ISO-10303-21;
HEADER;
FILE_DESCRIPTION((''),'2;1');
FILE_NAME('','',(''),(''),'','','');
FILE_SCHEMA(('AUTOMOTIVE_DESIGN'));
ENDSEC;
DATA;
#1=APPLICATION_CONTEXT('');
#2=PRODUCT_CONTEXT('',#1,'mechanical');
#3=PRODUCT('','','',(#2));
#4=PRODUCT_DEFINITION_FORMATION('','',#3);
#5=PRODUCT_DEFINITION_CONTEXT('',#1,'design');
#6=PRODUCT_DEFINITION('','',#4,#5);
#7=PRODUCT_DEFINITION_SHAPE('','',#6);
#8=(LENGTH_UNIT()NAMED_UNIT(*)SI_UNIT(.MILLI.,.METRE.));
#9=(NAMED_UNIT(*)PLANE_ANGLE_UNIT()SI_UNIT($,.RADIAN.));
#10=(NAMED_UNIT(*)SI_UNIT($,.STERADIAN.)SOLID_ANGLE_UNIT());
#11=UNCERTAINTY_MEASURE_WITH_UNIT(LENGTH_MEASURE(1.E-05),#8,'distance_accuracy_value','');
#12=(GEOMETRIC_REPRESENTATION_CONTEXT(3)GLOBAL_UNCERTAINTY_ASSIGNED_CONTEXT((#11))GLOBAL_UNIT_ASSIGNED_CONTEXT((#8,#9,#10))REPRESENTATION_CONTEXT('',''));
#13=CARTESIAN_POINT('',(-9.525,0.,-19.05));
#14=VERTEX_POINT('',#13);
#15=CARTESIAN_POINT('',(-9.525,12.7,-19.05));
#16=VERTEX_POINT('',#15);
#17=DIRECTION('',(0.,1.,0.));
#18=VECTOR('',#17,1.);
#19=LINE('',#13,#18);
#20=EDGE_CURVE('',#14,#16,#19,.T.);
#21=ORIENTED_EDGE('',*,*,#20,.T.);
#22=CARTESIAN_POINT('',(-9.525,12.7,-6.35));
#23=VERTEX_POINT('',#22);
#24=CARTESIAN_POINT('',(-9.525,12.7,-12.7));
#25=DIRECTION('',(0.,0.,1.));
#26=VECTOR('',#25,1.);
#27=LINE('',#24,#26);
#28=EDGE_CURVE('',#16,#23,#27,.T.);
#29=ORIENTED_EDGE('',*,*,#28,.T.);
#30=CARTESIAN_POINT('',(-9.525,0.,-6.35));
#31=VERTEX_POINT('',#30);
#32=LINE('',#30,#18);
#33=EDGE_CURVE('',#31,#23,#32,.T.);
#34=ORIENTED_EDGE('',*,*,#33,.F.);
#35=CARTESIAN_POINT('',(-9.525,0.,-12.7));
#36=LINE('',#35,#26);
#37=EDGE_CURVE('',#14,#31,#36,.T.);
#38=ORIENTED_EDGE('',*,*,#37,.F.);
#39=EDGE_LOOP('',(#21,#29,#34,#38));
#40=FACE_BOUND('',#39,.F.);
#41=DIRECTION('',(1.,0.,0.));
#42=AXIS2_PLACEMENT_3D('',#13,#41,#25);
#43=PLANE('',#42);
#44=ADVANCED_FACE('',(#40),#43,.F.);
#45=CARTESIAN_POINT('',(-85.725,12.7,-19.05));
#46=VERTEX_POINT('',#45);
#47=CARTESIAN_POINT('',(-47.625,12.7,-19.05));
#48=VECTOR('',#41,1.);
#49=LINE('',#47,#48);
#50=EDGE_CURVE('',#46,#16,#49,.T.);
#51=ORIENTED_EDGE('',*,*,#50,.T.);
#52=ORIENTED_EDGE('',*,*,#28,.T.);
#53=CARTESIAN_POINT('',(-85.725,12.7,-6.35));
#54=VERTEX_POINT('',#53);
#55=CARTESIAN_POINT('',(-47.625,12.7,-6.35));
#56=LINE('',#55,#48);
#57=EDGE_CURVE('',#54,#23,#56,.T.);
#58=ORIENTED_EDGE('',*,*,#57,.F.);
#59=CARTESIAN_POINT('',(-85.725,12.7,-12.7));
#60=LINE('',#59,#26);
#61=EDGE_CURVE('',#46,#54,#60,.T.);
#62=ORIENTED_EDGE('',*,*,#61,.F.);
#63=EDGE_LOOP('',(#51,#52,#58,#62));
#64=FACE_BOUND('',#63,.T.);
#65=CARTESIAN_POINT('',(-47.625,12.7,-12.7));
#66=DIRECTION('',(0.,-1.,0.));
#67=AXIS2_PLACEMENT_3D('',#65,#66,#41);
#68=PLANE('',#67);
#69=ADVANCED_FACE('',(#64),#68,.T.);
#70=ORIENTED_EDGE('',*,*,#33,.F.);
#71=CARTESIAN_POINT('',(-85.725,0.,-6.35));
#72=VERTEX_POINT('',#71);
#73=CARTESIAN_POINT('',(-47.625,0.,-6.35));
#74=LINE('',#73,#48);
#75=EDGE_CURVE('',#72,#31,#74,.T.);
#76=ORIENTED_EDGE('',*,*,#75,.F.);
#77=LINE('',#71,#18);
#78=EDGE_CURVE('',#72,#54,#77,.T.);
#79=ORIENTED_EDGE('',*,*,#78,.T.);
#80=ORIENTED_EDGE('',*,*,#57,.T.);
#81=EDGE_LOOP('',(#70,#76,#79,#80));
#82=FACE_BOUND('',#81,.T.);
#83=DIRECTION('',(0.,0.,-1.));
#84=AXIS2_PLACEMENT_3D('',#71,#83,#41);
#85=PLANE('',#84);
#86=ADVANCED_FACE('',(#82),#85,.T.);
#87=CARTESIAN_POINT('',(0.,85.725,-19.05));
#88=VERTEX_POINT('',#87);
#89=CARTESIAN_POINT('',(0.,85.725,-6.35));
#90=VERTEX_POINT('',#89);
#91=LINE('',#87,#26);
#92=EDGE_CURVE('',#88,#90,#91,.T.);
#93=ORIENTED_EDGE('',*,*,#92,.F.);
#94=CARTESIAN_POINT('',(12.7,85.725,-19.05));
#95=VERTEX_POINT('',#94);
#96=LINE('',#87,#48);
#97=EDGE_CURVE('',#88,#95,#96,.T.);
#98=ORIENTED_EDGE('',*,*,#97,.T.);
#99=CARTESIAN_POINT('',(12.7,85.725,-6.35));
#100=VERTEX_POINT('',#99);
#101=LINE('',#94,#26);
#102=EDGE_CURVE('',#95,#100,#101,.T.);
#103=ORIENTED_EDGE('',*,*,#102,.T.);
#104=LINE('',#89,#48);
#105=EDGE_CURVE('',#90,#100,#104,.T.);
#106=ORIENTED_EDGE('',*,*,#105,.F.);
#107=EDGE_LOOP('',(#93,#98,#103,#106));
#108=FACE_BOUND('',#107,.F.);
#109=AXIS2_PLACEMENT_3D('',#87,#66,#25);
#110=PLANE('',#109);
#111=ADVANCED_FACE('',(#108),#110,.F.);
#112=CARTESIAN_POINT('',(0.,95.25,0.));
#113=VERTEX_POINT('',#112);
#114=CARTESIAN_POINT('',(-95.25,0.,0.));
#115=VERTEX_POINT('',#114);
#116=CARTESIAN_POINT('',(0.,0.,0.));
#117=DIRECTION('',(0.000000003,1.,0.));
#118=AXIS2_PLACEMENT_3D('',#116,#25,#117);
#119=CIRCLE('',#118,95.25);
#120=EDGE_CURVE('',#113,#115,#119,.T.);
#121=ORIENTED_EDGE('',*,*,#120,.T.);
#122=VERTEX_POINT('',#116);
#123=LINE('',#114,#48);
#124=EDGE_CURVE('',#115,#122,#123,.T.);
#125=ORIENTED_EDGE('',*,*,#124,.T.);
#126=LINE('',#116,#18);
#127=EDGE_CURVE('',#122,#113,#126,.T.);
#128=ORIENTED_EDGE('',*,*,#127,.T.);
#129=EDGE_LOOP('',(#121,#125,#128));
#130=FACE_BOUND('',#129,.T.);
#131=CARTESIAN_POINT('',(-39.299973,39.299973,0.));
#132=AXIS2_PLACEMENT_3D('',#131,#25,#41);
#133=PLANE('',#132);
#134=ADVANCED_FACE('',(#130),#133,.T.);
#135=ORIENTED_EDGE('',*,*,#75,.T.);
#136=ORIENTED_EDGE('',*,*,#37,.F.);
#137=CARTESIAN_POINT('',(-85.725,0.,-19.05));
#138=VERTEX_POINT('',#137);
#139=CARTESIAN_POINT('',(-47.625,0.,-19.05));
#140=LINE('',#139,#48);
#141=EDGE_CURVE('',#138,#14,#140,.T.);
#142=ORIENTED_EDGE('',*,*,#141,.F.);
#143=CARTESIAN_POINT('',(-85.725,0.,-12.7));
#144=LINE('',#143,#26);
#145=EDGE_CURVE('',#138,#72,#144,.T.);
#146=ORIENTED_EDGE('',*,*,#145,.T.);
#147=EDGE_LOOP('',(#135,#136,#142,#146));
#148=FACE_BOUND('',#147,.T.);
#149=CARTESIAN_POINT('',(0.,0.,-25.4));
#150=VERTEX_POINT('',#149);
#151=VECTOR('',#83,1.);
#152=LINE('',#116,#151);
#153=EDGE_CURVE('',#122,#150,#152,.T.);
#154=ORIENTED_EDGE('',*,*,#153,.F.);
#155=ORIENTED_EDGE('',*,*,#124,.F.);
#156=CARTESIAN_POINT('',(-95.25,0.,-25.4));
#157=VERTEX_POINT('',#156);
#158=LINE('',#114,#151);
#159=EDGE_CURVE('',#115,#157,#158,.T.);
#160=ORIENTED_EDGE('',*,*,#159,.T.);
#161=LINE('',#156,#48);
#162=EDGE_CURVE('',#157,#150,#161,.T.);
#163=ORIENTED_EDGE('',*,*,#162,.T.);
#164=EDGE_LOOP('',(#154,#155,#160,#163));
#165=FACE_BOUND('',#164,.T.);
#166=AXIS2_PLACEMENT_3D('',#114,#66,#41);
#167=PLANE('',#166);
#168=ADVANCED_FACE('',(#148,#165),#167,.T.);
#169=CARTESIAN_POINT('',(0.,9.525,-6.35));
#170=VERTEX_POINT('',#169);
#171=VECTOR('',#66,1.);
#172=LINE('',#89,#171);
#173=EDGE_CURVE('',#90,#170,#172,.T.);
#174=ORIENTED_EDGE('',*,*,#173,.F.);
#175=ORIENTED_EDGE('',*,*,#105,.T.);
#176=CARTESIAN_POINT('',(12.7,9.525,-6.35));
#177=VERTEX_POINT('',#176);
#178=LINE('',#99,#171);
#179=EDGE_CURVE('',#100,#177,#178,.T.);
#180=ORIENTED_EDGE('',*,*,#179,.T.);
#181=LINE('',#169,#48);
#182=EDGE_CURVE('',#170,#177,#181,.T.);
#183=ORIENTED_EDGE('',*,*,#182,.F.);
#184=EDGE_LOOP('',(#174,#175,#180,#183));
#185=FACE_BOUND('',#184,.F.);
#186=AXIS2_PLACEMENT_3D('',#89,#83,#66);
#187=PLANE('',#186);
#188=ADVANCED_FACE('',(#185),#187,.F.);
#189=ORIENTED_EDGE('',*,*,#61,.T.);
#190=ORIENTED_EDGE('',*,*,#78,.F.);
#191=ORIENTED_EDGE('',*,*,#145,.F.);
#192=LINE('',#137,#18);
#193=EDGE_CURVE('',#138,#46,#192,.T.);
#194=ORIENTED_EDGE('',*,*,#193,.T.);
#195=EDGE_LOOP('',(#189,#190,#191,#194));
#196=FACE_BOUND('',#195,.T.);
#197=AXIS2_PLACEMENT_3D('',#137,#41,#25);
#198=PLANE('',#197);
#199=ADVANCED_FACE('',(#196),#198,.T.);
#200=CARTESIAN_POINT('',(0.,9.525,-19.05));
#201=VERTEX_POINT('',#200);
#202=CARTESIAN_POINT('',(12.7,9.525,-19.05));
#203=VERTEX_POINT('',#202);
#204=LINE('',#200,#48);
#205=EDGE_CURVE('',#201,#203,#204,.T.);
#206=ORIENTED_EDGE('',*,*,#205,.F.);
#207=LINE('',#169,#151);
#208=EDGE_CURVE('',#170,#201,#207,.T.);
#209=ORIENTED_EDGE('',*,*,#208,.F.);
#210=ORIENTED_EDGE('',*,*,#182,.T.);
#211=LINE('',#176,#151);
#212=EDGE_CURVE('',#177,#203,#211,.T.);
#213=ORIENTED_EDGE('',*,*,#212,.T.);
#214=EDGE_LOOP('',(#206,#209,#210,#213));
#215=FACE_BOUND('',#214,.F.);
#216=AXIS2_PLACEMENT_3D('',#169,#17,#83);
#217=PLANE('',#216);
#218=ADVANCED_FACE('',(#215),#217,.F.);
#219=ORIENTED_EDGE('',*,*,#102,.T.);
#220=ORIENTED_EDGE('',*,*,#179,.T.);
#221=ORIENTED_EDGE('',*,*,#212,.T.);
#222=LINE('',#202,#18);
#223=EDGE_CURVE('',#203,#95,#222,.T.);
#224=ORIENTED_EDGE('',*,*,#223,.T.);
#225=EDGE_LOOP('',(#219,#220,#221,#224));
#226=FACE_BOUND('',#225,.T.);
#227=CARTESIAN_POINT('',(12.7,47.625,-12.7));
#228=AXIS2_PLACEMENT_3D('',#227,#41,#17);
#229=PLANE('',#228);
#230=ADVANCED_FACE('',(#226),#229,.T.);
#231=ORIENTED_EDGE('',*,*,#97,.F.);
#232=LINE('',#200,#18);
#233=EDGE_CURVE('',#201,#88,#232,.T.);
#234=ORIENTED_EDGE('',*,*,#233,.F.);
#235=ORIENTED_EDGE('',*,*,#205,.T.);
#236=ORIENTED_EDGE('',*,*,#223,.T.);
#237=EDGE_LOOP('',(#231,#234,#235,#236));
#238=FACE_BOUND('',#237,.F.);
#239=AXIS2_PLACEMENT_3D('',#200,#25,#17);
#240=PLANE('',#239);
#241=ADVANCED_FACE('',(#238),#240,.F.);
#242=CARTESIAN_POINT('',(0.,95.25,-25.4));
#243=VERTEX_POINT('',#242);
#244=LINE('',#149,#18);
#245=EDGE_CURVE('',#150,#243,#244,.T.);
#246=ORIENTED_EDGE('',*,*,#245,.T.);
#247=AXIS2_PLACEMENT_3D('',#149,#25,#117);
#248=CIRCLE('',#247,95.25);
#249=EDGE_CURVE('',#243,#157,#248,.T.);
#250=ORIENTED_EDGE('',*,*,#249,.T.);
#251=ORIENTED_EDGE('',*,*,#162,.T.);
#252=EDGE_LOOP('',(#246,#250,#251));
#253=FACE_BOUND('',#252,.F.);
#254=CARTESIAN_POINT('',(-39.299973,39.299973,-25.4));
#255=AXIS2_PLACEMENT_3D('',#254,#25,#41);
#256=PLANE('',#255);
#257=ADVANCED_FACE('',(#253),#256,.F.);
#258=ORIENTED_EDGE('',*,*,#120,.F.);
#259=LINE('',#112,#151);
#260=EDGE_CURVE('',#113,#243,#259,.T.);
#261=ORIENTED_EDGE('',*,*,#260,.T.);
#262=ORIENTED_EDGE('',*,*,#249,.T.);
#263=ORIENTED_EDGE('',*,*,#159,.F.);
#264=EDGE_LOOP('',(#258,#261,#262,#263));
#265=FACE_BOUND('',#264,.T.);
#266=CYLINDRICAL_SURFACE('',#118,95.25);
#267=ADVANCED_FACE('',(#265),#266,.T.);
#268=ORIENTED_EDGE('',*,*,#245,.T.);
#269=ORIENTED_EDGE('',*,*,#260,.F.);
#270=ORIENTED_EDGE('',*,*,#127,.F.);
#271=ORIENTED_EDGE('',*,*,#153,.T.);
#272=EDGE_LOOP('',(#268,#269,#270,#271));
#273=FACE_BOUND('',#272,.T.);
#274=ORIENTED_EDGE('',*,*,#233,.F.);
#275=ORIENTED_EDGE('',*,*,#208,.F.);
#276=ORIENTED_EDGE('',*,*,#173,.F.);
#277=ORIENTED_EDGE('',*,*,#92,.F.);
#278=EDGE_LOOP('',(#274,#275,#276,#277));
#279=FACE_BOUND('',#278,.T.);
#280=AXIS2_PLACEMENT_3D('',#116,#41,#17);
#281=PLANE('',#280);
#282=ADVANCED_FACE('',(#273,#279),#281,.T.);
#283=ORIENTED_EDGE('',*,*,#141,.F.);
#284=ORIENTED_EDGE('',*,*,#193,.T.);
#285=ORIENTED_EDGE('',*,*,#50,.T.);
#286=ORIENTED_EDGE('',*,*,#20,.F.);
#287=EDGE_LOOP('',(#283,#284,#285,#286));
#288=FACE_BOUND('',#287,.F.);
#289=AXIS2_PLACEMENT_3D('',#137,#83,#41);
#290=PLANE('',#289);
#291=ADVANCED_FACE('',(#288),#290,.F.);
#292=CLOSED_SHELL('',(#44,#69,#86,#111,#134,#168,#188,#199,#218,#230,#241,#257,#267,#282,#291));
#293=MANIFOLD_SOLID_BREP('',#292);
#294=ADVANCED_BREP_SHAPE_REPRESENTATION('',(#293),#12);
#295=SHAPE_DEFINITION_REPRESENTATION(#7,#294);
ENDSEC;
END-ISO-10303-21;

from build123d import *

# Parameters (mm, degrees)
F1_DEPTH = 25.4
F2_W     = 76.2
F2_H     = 12.7
F3_DEPTH = 12.7
F5_DEPTH = 12.7


with BuildPart() as f1:
    # F0 (on Top) → F1 (new body)
    with BuildSketch(Plane.XY):
        with BuildLine():
            Line((-95.25, 0), (0, 0))
            Line((0, 0), (0, 95.25))
            ThreePointArc((0, 95.25), (-67.351921, 67.351921), (-95.25, 0))
        make_face()
    extrude(amount=-F1_DEPTH)

    # F2 (on face) → F3 (cut)
    with BuildSketch(Plane.XZ):
        with Locations((-47.625, -12.7)):
            Rectangle(F2_W, F2_H)
    extrude(amount=-F3_DEPTH, mode=Mode.SUBTRACT)

    # F4 (on face) → F5 (join)
    with BuildSketch(Plane.YZ):
        Polygon((9.525, -6.35), (9.525, -12.7), (9.525, -19.05), (47.625, -19.05), (85.725, -19.05), (85.725, -12.7), (85.725, -6.35), (47.625, -6.35), align=None)
    extrude(amount=F5_DEPTH)


solid = f1.part
